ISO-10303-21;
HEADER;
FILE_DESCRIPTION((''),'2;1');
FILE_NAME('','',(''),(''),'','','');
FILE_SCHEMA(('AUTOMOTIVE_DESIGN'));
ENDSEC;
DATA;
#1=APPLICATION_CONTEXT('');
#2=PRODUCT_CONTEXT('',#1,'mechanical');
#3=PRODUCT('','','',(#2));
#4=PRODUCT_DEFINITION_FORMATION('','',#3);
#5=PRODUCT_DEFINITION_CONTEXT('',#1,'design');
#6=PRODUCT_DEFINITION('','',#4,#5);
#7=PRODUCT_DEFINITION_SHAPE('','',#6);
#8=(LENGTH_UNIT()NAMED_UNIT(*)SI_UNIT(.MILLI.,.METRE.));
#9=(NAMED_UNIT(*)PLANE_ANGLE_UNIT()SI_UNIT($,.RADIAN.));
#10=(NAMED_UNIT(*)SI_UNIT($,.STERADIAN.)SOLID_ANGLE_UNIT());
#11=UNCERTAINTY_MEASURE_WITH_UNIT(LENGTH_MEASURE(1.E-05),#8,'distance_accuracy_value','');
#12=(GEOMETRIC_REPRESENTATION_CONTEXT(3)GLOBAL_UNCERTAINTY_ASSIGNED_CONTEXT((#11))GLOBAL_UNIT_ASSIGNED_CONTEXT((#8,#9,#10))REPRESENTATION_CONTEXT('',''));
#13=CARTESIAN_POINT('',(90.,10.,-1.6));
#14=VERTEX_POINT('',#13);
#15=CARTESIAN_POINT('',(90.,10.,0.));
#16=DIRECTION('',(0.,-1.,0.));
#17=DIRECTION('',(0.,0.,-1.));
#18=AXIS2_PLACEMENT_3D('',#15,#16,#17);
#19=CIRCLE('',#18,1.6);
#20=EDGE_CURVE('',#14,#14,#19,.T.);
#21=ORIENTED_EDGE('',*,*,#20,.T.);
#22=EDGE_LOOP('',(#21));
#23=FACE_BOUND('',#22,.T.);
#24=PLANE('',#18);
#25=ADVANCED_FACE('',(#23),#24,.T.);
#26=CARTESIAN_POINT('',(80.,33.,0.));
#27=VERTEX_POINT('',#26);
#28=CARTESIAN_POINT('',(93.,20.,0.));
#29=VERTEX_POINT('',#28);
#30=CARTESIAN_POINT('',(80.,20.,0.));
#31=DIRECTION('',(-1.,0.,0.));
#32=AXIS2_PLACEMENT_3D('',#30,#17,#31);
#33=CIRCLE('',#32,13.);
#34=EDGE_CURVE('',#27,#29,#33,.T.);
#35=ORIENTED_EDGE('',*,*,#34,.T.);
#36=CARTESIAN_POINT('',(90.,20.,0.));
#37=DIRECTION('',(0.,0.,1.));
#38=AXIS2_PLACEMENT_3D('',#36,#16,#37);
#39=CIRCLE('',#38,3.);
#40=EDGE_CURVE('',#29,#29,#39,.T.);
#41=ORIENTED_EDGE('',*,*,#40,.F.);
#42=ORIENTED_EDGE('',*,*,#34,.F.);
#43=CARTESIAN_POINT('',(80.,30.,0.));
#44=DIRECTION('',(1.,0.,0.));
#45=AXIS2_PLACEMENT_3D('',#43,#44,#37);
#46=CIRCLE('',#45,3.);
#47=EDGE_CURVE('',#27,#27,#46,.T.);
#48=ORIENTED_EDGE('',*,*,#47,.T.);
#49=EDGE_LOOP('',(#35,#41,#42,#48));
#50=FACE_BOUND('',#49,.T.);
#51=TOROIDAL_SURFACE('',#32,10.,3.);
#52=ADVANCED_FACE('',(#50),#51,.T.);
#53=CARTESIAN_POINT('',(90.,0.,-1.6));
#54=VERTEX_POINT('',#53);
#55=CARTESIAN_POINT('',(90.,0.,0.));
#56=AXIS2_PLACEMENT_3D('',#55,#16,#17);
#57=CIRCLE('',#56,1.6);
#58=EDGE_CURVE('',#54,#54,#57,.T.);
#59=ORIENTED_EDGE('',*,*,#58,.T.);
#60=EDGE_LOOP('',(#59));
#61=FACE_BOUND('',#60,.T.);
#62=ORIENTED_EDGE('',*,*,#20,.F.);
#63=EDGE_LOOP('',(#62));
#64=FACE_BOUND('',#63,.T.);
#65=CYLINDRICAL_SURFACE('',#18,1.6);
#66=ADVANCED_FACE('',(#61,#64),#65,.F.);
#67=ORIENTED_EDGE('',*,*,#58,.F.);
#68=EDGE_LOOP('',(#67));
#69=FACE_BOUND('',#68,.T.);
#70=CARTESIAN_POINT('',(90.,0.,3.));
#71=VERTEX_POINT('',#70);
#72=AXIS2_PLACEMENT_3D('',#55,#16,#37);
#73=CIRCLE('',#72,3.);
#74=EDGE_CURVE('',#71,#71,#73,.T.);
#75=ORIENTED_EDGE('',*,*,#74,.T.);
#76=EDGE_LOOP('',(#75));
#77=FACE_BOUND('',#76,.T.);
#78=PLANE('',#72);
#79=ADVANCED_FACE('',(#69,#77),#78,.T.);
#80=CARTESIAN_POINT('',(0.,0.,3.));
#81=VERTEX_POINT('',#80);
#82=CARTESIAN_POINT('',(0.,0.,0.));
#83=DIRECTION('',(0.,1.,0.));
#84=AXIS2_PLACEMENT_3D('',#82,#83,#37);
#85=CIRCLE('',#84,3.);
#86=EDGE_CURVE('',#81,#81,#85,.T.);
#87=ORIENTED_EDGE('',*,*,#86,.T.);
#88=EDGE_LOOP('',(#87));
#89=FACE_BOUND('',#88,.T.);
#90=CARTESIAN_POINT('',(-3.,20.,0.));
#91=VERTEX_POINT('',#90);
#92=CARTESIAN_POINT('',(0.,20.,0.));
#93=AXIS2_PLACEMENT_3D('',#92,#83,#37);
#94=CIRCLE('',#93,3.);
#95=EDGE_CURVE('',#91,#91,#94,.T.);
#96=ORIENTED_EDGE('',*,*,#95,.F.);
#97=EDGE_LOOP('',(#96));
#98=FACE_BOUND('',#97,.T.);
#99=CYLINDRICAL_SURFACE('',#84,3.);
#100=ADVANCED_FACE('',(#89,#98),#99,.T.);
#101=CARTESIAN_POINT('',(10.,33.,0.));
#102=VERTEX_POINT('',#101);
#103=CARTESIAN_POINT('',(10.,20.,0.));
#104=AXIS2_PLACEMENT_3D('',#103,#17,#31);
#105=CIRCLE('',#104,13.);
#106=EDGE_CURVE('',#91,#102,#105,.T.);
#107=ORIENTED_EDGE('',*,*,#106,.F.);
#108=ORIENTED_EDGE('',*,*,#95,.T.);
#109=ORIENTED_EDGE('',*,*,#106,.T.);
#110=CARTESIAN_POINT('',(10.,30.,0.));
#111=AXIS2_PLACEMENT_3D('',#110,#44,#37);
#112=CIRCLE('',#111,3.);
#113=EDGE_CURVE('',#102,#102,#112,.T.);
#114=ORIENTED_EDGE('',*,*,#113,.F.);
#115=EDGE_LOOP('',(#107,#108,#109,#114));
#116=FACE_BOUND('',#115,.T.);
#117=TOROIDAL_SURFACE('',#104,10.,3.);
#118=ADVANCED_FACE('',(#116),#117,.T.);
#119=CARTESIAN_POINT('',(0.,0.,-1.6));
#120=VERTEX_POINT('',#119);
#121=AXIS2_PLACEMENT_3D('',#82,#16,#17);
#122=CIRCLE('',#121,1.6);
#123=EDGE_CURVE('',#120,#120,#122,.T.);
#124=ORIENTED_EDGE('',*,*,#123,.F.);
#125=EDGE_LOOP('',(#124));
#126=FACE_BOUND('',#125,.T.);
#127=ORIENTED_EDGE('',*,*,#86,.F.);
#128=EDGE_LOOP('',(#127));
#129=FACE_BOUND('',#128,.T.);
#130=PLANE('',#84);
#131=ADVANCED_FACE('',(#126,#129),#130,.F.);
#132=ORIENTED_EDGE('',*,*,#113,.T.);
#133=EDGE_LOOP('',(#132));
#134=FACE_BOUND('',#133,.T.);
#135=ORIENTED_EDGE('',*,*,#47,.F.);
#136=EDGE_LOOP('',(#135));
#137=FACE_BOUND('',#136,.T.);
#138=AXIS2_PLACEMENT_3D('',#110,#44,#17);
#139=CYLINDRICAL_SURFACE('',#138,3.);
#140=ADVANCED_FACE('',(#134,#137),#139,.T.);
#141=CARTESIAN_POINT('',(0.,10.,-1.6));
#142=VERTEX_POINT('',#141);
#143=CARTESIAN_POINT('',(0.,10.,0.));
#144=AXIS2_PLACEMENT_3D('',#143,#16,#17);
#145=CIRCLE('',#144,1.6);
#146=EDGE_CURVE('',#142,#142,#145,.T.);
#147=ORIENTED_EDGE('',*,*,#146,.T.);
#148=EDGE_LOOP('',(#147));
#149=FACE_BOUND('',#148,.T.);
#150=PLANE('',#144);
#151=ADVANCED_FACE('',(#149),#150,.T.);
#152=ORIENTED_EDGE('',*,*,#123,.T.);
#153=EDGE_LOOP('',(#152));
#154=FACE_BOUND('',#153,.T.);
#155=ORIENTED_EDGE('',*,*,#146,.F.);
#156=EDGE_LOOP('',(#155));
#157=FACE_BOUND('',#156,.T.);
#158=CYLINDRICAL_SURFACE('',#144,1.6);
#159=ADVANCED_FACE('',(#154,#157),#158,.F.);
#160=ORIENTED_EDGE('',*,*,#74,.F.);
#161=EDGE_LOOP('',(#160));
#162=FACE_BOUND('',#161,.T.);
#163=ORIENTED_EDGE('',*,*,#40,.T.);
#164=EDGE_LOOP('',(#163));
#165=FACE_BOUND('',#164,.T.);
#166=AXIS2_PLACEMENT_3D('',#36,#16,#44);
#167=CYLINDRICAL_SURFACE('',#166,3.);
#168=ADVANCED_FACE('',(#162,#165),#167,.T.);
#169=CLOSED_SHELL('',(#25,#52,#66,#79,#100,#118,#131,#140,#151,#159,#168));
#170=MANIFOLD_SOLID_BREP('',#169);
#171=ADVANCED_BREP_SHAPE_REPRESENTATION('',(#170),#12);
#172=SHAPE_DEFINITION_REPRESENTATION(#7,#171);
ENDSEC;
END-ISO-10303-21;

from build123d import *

# Parameters (mm, degrees)
SKETCH_2_R          = 3
SKETCH_3_R          = 1.6
CUT_EXTRUDE_1_DEPTH = 10


with BuildPart() as part:
    # 扫描1: sweep along a path in 草图1
    with BuildLine(Plane.XY) as sweep_1_path:
        Line((0, 0), (0, 20))
        ThreePointArc((0, 20), (2.928932188, 27.071067812), (10, 30))
        Line((10, 30), (80, 30))
        ThreePointArc((80, 30), (87.071067812, 27.071067812), (90, 20))
        Line((90, 20), (90, 0))
    # 草图2 → 扫描1 (sweep)
    with BuildSketch(Plane(origin=(0, 0, 0), x_dir=(1, 0, 0), z_dir=(0, 1, 0))):
        Circle(SKETCH_2_R)
    sweep(path=sweep_1_path.line)

    # 草图3 → 切除-拉伸1 (cut)
    with BuildSketch(Plane.XZ):
        with Locations(Location((0, 0, 0), (0, 0, 270))):
            Circle(SKETCH_3_R)
        with Locations(Location((90, 0, 0), (0, 0, 270))):
            Circle(SKETCH_3_R)
    extrude(amount=-CUT_EXTRUDE_1_DEPTH, mode=Mode.SUBTRACT)


solid = part.part
